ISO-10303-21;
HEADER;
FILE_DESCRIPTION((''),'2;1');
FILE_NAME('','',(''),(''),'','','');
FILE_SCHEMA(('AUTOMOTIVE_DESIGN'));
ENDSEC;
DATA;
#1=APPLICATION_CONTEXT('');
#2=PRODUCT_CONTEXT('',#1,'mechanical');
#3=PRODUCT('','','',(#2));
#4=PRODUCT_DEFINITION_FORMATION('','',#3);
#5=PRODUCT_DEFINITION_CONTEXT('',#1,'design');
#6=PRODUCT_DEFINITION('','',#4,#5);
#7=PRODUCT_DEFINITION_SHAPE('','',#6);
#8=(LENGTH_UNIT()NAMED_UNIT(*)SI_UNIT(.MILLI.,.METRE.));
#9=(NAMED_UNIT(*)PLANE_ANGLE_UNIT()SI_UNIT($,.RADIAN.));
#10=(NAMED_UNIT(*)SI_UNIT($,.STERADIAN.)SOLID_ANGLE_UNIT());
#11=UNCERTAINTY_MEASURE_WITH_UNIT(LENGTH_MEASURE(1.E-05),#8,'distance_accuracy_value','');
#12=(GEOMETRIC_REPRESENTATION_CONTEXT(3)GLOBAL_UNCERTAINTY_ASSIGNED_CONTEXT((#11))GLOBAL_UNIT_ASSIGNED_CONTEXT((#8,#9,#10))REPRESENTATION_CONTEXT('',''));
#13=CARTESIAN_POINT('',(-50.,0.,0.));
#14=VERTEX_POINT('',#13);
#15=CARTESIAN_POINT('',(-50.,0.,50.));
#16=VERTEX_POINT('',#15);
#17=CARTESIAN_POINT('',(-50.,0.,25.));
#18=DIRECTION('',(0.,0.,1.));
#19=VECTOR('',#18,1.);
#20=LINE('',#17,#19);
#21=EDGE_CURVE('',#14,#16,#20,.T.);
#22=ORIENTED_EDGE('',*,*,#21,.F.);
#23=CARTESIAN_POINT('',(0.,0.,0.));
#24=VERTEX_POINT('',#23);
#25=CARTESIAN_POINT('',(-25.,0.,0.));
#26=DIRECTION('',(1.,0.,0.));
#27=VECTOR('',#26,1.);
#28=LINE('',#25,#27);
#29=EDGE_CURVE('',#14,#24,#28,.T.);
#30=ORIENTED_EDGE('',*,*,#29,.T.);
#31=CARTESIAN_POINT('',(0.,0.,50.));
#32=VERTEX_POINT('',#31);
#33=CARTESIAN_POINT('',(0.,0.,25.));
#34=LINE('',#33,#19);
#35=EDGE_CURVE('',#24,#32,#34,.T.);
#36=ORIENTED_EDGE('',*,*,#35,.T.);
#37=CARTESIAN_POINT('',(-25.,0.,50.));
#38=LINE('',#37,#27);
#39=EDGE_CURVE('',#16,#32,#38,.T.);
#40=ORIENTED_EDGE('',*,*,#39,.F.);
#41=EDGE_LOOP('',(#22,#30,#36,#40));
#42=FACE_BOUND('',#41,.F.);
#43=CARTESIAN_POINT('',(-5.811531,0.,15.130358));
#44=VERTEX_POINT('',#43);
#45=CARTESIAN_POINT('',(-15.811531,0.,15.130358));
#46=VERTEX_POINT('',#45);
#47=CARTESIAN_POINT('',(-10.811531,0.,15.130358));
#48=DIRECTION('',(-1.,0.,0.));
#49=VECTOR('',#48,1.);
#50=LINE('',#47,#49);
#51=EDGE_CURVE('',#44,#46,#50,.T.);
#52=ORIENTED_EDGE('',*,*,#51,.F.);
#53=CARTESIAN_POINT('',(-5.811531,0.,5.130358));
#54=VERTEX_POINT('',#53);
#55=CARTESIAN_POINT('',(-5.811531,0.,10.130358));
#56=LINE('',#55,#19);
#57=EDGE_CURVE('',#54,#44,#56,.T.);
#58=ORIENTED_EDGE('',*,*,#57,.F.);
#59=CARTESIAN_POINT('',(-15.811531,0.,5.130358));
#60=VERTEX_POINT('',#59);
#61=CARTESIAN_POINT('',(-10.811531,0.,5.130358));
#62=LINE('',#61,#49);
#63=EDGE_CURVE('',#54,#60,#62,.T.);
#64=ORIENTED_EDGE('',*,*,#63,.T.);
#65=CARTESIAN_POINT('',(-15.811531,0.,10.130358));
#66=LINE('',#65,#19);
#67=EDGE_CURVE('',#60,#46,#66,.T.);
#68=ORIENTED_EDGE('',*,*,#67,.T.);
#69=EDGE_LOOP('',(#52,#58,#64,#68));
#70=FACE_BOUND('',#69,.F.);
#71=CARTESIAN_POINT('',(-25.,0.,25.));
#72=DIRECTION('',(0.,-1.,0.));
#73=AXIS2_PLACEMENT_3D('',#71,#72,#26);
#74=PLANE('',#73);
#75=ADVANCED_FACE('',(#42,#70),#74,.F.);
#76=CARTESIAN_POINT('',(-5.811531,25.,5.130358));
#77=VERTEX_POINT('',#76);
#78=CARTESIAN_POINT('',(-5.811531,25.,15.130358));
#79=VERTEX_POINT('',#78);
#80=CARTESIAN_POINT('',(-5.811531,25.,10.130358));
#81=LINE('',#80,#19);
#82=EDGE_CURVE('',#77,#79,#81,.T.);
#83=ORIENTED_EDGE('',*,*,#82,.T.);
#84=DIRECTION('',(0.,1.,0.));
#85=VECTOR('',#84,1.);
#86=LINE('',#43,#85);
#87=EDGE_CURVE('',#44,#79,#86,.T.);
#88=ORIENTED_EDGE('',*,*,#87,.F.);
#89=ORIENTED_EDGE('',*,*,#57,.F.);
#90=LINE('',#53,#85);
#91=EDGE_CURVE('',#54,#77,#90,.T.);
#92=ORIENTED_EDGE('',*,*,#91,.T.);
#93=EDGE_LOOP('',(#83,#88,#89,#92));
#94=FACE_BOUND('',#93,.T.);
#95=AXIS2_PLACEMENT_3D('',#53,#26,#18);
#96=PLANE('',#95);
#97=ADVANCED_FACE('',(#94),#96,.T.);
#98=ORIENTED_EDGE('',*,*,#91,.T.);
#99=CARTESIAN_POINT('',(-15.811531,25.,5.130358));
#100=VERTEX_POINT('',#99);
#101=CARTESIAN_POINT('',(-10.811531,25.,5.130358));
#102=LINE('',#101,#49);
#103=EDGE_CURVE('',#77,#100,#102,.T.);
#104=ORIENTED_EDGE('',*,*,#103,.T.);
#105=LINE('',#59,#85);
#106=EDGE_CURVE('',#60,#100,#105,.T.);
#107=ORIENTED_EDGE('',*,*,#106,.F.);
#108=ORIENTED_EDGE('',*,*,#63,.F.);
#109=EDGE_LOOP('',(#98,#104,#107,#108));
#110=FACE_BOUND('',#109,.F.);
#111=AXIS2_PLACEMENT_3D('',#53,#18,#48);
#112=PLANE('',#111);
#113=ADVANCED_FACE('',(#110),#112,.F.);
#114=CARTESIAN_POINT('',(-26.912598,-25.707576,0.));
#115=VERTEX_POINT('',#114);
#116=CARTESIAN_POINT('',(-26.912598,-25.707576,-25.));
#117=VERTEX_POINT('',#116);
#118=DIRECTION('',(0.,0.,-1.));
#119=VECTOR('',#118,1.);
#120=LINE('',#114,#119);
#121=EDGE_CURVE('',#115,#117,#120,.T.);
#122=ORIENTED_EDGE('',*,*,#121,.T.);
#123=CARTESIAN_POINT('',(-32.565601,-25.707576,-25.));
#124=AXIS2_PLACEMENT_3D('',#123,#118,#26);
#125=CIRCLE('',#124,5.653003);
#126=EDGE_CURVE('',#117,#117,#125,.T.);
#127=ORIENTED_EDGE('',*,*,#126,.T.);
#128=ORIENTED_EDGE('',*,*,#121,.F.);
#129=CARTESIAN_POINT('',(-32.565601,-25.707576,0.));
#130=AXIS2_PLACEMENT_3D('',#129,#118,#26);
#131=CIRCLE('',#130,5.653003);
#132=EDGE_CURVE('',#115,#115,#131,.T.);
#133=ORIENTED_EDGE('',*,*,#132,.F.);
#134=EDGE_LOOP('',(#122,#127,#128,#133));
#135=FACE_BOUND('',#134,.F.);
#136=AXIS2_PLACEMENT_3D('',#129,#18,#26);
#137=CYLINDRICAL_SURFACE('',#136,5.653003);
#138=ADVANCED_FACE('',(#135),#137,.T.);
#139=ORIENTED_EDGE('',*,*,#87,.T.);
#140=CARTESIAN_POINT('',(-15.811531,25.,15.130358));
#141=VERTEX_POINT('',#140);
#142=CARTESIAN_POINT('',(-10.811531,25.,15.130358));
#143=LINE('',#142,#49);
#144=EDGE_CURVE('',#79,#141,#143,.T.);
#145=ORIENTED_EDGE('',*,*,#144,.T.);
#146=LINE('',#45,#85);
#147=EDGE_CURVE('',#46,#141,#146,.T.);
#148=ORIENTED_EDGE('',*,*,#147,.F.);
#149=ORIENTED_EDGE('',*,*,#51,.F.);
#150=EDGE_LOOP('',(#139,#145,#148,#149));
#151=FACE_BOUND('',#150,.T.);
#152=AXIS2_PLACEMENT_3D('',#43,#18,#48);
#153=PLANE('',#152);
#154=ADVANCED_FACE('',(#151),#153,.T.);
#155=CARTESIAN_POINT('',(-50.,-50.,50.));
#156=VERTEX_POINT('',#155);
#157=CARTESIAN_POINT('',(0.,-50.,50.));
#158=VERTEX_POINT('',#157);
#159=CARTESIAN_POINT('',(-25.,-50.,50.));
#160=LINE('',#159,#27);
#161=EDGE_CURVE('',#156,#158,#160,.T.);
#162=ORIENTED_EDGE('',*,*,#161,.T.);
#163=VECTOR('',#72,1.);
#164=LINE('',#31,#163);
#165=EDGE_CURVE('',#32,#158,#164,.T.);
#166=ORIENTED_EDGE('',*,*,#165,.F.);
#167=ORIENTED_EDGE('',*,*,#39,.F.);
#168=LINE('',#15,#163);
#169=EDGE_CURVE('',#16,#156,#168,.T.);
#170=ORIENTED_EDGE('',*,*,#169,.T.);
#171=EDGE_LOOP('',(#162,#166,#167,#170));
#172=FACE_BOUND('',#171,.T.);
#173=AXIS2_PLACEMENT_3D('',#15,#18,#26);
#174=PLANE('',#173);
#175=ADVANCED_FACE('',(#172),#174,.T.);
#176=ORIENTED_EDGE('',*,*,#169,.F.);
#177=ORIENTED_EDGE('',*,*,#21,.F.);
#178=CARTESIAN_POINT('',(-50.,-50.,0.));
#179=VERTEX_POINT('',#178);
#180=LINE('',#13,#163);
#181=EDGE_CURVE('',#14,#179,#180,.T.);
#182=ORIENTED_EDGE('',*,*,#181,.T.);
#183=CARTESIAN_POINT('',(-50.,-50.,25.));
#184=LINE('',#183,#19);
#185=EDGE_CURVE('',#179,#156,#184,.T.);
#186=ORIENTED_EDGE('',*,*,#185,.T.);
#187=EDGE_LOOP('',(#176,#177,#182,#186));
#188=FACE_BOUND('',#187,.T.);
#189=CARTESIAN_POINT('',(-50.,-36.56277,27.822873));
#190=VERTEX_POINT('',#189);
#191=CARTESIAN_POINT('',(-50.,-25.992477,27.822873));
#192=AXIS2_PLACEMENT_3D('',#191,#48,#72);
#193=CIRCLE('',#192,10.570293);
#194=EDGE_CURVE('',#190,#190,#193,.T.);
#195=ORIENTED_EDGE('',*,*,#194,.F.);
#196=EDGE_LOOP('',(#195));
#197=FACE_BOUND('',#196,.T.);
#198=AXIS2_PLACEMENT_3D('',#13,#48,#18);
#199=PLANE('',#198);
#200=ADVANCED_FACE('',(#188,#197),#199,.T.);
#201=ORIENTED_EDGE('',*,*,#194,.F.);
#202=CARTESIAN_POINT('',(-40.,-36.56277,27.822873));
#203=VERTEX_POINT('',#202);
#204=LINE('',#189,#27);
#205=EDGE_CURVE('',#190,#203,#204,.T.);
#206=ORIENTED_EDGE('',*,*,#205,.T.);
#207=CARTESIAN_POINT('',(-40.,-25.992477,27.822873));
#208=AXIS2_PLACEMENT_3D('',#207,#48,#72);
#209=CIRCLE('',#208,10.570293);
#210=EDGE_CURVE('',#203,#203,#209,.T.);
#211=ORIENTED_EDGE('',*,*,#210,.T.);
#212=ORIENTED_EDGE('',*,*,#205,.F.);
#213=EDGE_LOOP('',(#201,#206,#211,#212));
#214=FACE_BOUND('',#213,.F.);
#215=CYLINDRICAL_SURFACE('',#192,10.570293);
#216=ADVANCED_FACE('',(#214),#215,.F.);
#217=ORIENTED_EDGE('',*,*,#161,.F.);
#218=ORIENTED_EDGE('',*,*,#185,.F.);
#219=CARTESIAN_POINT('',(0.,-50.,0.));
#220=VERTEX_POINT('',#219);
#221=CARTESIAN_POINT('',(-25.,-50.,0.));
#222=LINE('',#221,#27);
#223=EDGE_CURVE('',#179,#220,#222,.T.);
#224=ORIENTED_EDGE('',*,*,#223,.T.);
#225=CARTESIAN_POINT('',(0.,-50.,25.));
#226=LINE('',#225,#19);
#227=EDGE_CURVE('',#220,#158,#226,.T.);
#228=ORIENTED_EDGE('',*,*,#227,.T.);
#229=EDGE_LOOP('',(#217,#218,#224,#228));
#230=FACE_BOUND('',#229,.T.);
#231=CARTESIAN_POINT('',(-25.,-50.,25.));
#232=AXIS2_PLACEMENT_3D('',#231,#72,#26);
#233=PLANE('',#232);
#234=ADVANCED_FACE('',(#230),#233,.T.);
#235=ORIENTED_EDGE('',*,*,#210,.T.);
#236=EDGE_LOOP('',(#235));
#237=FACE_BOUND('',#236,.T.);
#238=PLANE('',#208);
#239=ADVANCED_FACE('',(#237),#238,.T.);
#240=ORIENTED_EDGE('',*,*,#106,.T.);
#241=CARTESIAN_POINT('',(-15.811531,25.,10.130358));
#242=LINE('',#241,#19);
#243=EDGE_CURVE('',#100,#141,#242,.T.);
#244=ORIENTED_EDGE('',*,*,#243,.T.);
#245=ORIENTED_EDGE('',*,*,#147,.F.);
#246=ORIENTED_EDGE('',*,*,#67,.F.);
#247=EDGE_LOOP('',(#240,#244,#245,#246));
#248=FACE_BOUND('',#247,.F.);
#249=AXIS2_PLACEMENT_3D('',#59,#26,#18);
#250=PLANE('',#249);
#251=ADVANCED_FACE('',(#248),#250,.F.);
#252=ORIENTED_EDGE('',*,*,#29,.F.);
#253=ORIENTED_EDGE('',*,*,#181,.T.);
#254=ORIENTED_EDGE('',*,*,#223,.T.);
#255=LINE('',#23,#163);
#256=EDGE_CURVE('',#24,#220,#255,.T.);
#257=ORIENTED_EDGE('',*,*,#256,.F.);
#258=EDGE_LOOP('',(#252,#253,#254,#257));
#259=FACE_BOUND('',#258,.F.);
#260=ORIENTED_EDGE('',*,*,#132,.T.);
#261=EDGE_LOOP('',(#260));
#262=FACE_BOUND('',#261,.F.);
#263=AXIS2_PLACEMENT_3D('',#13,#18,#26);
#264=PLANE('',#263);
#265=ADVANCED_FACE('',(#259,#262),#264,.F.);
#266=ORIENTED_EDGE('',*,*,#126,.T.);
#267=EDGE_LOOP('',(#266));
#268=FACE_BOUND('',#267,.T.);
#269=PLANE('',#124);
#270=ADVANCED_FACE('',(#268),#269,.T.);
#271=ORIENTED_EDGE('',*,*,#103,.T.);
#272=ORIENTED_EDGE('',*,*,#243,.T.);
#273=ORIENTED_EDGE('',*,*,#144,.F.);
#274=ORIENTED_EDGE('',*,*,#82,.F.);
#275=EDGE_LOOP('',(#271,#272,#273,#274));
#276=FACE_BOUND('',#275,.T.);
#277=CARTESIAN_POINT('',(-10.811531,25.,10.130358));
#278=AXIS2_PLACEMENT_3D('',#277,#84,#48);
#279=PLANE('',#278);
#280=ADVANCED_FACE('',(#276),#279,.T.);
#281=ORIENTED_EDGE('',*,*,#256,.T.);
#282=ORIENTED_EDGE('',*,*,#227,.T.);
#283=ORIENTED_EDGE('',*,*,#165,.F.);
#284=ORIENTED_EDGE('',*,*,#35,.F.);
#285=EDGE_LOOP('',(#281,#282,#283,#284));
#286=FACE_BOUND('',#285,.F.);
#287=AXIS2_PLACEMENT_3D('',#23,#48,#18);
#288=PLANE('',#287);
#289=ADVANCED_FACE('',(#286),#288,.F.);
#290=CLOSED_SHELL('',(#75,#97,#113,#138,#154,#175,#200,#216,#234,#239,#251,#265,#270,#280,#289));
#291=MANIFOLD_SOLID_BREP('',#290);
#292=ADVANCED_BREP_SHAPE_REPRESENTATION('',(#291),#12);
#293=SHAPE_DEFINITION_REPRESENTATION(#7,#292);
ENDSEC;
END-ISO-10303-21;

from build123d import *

# Parameters (mm, degrees)
F0_W     = 50
F0_H     = 50
F1_DEPTH = 50
F2_R     = 5.653003
F3_DEPTH = 25
F4_R     = 10.570293
F5_DEPTH = 10
F6_W     = 10
F6_H     = 10
F7_DEPTH = 25


with BuildPart() as f1:
    # F0 (on Front) → F1 (new body)
    with BuildSketch(Plane.XZ):
        with Locations((-25, 25)):
            Rectangle(F0_W, F0_H)
    extrude(amount=F1_DEPTH)

    # F2 (on face) → F3 (join)
    with BuildSketch(Plane(origin=(0, 0, 0), x_dir=(1, 0, 0), z_dir=(0, 0, -1))):
        with Locations((-32.565601, 25.707576)):
            Circle(F2_R)
    extrude(amount=F3_DEPTH)

    # F4 (on face) → F5 (cut)
    with BuildSketch(Plane(origin=(-50, 0, 0), x_dir=(0, -1, 0), z_dir=(-1, 0, 0))):
        with Locations((25.992477, 27.822873)):
            Circle(F4_R)
    extrude(amount=-F5_DEPTH, mode=Mode.SUBTRACT)

    # F6 (on face) → F7 (join)
    with BuildSketch(Plane(origin=(0, 0, 0), x_dir=(-1, 0, 0), z_dir=(0, 1, 0))):
        with Locations((10.811531, 10.130358)):
            Rectangle(F6_W, F6_H)
    extrude(amount=F7_DEPTH)


solid = f1.part
